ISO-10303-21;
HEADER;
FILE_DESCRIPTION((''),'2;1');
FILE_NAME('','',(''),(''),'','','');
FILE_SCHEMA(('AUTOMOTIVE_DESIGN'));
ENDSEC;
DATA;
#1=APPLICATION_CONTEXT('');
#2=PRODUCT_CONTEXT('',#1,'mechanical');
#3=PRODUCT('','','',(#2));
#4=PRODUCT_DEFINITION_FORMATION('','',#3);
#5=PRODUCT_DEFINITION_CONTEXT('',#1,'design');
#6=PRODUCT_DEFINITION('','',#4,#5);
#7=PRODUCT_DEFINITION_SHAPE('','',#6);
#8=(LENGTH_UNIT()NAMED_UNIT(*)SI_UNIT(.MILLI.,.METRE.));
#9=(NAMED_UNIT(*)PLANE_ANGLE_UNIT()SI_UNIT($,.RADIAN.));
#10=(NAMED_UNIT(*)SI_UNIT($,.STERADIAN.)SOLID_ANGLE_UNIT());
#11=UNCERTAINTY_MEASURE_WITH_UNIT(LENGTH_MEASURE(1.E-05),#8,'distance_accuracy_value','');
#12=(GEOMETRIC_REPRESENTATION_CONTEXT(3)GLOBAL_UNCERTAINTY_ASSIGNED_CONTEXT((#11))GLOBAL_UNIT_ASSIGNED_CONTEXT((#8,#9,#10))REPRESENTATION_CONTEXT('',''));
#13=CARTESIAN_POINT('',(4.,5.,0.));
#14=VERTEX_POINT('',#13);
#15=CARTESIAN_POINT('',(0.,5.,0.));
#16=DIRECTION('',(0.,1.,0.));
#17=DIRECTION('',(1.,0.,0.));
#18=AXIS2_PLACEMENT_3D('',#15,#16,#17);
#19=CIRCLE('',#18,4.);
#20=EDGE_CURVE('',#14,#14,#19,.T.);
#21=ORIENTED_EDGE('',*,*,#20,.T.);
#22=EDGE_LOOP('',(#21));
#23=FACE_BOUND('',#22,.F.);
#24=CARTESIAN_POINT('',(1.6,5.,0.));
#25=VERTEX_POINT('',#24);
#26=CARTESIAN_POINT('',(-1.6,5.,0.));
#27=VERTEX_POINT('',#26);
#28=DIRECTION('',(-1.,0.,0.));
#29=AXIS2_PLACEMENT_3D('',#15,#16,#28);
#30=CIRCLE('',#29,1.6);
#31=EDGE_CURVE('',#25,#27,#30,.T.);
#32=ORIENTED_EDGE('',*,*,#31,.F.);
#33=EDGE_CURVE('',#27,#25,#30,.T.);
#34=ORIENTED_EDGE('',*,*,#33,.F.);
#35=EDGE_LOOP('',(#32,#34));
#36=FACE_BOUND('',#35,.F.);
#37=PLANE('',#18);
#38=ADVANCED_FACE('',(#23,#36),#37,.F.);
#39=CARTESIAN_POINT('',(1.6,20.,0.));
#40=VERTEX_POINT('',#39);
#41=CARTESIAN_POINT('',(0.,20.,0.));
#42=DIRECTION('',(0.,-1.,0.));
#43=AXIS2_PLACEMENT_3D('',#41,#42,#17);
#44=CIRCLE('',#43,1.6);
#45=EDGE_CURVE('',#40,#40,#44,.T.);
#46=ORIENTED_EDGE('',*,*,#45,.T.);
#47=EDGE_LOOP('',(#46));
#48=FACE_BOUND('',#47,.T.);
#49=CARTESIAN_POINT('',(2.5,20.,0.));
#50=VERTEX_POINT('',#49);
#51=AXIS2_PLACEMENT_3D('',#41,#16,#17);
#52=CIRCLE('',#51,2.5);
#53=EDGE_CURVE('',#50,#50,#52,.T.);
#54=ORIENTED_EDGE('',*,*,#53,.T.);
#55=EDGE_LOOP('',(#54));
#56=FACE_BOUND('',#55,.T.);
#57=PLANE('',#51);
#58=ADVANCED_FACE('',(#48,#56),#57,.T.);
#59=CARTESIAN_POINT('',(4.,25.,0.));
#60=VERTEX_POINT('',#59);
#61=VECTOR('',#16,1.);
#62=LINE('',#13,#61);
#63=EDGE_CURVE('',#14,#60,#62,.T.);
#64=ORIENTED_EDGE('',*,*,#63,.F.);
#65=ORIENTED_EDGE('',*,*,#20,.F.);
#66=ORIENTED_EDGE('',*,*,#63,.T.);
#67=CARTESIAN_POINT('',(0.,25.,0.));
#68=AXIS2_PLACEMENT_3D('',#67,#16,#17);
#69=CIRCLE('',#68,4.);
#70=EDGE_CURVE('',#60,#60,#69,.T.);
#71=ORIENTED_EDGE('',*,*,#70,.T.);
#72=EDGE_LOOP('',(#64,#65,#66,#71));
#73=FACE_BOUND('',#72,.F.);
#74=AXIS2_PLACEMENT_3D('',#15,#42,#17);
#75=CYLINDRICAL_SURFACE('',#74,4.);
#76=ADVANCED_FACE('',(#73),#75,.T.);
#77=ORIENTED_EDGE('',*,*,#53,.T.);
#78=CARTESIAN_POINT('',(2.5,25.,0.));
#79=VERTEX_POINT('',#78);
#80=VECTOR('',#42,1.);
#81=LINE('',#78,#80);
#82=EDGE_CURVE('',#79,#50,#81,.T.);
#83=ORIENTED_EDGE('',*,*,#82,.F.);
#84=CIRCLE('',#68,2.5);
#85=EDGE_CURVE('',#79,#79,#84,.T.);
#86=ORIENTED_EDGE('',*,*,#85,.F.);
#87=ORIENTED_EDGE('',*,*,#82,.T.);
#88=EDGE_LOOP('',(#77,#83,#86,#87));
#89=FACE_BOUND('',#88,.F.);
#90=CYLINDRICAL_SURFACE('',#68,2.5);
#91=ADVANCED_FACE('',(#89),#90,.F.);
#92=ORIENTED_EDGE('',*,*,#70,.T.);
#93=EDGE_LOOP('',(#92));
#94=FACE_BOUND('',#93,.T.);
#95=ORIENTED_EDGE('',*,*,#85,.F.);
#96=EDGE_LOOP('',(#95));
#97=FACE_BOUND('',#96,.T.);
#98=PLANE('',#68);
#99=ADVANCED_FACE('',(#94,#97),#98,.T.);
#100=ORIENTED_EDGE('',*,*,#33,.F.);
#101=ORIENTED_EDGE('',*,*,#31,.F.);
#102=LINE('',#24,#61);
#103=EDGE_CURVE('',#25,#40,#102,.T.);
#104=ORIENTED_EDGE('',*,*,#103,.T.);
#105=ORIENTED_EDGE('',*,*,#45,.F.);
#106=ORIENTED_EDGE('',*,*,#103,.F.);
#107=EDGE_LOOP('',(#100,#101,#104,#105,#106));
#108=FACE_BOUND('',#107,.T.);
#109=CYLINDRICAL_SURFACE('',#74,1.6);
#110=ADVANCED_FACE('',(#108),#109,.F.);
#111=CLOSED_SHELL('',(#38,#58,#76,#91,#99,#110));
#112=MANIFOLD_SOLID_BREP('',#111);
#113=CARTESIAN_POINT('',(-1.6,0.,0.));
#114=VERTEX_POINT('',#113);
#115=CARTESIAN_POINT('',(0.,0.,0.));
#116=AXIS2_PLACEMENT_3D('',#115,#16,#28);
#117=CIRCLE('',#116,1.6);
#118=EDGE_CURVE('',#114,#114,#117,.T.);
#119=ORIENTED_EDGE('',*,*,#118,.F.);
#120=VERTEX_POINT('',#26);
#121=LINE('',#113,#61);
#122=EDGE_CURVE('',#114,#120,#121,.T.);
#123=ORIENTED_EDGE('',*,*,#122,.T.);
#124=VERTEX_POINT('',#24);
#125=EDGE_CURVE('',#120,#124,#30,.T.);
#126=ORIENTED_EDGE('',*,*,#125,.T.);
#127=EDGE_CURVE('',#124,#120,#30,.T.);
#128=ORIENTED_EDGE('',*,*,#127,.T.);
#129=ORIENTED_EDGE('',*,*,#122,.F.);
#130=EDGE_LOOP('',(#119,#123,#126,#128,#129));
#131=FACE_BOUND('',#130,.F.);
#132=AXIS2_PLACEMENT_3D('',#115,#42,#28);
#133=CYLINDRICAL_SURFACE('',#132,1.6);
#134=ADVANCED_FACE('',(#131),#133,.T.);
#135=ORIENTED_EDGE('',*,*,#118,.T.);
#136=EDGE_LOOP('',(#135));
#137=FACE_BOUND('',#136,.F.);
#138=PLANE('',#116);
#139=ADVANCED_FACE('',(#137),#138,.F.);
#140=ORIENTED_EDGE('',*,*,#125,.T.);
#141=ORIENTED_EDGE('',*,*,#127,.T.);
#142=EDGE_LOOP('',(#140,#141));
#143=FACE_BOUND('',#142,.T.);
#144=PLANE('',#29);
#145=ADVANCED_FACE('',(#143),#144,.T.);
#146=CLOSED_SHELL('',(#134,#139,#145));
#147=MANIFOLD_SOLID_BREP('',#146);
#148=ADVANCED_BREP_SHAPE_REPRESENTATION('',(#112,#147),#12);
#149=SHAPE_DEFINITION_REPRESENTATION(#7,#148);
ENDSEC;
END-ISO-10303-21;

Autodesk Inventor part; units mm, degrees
ref_plane "YZ Plane" through (0, 0, 0) normal (1, 0, 0) x (0, 1, 0)
ref_plane "XZ Plane" through (0, 0, 0) normal (0, 1, 0) x (-1, 0, 0)
ref_plane "XY Plane" through (0, 0, 0) normal (0, 0, 1) x (1, 0, 0)
sketch "Sketch1" plane through (0, 0, 0) normal (0, 1, 0) x (-1, 0, 0)
  circle A0 centre (0, 0) radius 1.6
  dimension "d0" = 3.2
extrude "Extrusion1" add sketch "Sketch1" along normal blind 5
sketch "Sketch2" plane through (0, 5, 0) normal (0, 1, 0) x (1, 0, 0)
  circle A0 centre (0, 0) radius 1.6 projected
  circle A1 centre (0, 0) radius 4
  dimension "d3" = 8
extrude "Extrusion2" add sketch "Sketch2" along normal blind 20
sketch "Sketch3" plane through (0, 25, 0) normal (0, 1, 0) x (1, 0, 0)
  circle A0 centre (0, 0) radius 2.5
  dimension "d6" = 5
extrude "Extrusion3" cut sketch "Sketch3" against normal blind 5
properties part number "MountPin_test"
